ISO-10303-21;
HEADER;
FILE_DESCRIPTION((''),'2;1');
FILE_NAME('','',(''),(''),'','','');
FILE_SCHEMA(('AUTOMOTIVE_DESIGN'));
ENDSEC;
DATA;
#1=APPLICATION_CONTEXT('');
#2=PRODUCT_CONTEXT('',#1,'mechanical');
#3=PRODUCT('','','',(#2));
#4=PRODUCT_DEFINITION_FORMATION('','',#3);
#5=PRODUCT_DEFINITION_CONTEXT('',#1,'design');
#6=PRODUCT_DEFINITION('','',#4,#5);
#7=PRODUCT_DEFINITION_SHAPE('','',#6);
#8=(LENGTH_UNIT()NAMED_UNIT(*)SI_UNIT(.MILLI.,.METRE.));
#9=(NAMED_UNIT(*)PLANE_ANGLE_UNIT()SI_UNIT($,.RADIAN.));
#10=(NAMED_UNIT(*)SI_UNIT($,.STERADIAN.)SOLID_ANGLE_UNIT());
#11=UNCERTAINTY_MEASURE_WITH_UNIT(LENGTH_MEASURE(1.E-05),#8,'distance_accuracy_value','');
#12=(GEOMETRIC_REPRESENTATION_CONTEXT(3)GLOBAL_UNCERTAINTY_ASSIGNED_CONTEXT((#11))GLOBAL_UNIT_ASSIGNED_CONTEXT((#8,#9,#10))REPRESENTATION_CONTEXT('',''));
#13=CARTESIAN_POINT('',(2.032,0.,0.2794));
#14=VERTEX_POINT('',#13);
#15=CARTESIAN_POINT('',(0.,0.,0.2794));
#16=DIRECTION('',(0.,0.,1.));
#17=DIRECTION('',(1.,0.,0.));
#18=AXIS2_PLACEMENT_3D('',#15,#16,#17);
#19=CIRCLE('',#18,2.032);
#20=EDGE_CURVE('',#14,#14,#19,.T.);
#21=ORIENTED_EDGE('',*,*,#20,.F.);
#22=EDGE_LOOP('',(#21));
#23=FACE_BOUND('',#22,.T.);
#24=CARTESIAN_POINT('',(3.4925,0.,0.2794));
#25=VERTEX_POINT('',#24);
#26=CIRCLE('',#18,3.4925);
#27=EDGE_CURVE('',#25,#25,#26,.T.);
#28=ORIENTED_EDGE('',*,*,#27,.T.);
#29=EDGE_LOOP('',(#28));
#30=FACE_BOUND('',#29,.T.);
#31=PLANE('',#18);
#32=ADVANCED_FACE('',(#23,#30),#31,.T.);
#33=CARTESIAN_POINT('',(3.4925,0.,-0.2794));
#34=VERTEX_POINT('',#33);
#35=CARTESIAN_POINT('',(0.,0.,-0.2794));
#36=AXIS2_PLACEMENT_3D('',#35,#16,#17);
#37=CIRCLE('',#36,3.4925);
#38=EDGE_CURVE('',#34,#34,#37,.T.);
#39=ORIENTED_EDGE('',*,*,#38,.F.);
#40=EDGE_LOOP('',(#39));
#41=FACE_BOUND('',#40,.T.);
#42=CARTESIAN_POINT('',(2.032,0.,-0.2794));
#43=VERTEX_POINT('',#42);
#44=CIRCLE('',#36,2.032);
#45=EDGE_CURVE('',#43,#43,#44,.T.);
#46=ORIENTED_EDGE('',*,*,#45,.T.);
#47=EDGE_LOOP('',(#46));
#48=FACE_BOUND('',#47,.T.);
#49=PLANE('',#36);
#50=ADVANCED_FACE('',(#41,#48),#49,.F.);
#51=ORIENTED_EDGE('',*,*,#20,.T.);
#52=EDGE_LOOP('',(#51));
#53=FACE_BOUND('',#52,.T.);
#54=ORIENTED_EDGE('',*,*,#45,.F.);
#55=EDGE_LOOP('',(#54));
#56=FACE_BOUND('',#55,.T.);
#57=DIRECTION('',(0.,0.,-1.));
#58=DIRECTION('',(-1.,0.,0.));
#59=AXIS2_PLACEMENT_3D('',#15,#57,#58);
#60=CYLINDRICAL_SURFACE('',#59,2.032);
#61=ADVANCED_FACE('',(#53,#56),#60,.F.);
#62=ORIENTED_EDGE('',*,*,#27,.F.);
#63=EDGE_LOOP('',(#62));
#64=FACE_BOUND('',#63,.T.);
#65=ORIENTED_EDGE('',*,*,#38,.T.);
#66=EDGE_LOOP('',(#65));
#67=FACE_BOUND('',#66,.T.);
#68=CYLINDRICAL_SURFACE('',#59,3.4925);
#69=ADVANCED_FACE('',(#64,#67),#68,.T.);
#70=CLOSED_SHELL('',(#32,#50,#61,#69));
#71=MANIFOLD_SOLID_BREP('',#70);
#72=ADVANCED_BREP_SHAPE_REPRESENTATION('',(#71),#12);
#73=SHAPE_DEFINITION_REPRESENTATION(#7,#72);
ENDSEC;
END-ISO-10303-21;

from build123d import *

# Parameters (mm, degrees)
SKETCH1_R           = 3.4925
SKETCH1_R_2         = 2.032
BOSS_EXTRUDE1_DEPTH = 0.2794


with BuildPart() as part:
    # Sketch1 → Boss-Extrude1 (new body, symmetric)
    with BuildSketch(Plane.XY):
        Circle(SKETCH1_R)
        Circle(SKETCH1_R_2, mode=Mode.SUBTRACT)
    extrude(amount=BOSS_EXTRUDE1_DEPTH, both=True)


solid = part.part
